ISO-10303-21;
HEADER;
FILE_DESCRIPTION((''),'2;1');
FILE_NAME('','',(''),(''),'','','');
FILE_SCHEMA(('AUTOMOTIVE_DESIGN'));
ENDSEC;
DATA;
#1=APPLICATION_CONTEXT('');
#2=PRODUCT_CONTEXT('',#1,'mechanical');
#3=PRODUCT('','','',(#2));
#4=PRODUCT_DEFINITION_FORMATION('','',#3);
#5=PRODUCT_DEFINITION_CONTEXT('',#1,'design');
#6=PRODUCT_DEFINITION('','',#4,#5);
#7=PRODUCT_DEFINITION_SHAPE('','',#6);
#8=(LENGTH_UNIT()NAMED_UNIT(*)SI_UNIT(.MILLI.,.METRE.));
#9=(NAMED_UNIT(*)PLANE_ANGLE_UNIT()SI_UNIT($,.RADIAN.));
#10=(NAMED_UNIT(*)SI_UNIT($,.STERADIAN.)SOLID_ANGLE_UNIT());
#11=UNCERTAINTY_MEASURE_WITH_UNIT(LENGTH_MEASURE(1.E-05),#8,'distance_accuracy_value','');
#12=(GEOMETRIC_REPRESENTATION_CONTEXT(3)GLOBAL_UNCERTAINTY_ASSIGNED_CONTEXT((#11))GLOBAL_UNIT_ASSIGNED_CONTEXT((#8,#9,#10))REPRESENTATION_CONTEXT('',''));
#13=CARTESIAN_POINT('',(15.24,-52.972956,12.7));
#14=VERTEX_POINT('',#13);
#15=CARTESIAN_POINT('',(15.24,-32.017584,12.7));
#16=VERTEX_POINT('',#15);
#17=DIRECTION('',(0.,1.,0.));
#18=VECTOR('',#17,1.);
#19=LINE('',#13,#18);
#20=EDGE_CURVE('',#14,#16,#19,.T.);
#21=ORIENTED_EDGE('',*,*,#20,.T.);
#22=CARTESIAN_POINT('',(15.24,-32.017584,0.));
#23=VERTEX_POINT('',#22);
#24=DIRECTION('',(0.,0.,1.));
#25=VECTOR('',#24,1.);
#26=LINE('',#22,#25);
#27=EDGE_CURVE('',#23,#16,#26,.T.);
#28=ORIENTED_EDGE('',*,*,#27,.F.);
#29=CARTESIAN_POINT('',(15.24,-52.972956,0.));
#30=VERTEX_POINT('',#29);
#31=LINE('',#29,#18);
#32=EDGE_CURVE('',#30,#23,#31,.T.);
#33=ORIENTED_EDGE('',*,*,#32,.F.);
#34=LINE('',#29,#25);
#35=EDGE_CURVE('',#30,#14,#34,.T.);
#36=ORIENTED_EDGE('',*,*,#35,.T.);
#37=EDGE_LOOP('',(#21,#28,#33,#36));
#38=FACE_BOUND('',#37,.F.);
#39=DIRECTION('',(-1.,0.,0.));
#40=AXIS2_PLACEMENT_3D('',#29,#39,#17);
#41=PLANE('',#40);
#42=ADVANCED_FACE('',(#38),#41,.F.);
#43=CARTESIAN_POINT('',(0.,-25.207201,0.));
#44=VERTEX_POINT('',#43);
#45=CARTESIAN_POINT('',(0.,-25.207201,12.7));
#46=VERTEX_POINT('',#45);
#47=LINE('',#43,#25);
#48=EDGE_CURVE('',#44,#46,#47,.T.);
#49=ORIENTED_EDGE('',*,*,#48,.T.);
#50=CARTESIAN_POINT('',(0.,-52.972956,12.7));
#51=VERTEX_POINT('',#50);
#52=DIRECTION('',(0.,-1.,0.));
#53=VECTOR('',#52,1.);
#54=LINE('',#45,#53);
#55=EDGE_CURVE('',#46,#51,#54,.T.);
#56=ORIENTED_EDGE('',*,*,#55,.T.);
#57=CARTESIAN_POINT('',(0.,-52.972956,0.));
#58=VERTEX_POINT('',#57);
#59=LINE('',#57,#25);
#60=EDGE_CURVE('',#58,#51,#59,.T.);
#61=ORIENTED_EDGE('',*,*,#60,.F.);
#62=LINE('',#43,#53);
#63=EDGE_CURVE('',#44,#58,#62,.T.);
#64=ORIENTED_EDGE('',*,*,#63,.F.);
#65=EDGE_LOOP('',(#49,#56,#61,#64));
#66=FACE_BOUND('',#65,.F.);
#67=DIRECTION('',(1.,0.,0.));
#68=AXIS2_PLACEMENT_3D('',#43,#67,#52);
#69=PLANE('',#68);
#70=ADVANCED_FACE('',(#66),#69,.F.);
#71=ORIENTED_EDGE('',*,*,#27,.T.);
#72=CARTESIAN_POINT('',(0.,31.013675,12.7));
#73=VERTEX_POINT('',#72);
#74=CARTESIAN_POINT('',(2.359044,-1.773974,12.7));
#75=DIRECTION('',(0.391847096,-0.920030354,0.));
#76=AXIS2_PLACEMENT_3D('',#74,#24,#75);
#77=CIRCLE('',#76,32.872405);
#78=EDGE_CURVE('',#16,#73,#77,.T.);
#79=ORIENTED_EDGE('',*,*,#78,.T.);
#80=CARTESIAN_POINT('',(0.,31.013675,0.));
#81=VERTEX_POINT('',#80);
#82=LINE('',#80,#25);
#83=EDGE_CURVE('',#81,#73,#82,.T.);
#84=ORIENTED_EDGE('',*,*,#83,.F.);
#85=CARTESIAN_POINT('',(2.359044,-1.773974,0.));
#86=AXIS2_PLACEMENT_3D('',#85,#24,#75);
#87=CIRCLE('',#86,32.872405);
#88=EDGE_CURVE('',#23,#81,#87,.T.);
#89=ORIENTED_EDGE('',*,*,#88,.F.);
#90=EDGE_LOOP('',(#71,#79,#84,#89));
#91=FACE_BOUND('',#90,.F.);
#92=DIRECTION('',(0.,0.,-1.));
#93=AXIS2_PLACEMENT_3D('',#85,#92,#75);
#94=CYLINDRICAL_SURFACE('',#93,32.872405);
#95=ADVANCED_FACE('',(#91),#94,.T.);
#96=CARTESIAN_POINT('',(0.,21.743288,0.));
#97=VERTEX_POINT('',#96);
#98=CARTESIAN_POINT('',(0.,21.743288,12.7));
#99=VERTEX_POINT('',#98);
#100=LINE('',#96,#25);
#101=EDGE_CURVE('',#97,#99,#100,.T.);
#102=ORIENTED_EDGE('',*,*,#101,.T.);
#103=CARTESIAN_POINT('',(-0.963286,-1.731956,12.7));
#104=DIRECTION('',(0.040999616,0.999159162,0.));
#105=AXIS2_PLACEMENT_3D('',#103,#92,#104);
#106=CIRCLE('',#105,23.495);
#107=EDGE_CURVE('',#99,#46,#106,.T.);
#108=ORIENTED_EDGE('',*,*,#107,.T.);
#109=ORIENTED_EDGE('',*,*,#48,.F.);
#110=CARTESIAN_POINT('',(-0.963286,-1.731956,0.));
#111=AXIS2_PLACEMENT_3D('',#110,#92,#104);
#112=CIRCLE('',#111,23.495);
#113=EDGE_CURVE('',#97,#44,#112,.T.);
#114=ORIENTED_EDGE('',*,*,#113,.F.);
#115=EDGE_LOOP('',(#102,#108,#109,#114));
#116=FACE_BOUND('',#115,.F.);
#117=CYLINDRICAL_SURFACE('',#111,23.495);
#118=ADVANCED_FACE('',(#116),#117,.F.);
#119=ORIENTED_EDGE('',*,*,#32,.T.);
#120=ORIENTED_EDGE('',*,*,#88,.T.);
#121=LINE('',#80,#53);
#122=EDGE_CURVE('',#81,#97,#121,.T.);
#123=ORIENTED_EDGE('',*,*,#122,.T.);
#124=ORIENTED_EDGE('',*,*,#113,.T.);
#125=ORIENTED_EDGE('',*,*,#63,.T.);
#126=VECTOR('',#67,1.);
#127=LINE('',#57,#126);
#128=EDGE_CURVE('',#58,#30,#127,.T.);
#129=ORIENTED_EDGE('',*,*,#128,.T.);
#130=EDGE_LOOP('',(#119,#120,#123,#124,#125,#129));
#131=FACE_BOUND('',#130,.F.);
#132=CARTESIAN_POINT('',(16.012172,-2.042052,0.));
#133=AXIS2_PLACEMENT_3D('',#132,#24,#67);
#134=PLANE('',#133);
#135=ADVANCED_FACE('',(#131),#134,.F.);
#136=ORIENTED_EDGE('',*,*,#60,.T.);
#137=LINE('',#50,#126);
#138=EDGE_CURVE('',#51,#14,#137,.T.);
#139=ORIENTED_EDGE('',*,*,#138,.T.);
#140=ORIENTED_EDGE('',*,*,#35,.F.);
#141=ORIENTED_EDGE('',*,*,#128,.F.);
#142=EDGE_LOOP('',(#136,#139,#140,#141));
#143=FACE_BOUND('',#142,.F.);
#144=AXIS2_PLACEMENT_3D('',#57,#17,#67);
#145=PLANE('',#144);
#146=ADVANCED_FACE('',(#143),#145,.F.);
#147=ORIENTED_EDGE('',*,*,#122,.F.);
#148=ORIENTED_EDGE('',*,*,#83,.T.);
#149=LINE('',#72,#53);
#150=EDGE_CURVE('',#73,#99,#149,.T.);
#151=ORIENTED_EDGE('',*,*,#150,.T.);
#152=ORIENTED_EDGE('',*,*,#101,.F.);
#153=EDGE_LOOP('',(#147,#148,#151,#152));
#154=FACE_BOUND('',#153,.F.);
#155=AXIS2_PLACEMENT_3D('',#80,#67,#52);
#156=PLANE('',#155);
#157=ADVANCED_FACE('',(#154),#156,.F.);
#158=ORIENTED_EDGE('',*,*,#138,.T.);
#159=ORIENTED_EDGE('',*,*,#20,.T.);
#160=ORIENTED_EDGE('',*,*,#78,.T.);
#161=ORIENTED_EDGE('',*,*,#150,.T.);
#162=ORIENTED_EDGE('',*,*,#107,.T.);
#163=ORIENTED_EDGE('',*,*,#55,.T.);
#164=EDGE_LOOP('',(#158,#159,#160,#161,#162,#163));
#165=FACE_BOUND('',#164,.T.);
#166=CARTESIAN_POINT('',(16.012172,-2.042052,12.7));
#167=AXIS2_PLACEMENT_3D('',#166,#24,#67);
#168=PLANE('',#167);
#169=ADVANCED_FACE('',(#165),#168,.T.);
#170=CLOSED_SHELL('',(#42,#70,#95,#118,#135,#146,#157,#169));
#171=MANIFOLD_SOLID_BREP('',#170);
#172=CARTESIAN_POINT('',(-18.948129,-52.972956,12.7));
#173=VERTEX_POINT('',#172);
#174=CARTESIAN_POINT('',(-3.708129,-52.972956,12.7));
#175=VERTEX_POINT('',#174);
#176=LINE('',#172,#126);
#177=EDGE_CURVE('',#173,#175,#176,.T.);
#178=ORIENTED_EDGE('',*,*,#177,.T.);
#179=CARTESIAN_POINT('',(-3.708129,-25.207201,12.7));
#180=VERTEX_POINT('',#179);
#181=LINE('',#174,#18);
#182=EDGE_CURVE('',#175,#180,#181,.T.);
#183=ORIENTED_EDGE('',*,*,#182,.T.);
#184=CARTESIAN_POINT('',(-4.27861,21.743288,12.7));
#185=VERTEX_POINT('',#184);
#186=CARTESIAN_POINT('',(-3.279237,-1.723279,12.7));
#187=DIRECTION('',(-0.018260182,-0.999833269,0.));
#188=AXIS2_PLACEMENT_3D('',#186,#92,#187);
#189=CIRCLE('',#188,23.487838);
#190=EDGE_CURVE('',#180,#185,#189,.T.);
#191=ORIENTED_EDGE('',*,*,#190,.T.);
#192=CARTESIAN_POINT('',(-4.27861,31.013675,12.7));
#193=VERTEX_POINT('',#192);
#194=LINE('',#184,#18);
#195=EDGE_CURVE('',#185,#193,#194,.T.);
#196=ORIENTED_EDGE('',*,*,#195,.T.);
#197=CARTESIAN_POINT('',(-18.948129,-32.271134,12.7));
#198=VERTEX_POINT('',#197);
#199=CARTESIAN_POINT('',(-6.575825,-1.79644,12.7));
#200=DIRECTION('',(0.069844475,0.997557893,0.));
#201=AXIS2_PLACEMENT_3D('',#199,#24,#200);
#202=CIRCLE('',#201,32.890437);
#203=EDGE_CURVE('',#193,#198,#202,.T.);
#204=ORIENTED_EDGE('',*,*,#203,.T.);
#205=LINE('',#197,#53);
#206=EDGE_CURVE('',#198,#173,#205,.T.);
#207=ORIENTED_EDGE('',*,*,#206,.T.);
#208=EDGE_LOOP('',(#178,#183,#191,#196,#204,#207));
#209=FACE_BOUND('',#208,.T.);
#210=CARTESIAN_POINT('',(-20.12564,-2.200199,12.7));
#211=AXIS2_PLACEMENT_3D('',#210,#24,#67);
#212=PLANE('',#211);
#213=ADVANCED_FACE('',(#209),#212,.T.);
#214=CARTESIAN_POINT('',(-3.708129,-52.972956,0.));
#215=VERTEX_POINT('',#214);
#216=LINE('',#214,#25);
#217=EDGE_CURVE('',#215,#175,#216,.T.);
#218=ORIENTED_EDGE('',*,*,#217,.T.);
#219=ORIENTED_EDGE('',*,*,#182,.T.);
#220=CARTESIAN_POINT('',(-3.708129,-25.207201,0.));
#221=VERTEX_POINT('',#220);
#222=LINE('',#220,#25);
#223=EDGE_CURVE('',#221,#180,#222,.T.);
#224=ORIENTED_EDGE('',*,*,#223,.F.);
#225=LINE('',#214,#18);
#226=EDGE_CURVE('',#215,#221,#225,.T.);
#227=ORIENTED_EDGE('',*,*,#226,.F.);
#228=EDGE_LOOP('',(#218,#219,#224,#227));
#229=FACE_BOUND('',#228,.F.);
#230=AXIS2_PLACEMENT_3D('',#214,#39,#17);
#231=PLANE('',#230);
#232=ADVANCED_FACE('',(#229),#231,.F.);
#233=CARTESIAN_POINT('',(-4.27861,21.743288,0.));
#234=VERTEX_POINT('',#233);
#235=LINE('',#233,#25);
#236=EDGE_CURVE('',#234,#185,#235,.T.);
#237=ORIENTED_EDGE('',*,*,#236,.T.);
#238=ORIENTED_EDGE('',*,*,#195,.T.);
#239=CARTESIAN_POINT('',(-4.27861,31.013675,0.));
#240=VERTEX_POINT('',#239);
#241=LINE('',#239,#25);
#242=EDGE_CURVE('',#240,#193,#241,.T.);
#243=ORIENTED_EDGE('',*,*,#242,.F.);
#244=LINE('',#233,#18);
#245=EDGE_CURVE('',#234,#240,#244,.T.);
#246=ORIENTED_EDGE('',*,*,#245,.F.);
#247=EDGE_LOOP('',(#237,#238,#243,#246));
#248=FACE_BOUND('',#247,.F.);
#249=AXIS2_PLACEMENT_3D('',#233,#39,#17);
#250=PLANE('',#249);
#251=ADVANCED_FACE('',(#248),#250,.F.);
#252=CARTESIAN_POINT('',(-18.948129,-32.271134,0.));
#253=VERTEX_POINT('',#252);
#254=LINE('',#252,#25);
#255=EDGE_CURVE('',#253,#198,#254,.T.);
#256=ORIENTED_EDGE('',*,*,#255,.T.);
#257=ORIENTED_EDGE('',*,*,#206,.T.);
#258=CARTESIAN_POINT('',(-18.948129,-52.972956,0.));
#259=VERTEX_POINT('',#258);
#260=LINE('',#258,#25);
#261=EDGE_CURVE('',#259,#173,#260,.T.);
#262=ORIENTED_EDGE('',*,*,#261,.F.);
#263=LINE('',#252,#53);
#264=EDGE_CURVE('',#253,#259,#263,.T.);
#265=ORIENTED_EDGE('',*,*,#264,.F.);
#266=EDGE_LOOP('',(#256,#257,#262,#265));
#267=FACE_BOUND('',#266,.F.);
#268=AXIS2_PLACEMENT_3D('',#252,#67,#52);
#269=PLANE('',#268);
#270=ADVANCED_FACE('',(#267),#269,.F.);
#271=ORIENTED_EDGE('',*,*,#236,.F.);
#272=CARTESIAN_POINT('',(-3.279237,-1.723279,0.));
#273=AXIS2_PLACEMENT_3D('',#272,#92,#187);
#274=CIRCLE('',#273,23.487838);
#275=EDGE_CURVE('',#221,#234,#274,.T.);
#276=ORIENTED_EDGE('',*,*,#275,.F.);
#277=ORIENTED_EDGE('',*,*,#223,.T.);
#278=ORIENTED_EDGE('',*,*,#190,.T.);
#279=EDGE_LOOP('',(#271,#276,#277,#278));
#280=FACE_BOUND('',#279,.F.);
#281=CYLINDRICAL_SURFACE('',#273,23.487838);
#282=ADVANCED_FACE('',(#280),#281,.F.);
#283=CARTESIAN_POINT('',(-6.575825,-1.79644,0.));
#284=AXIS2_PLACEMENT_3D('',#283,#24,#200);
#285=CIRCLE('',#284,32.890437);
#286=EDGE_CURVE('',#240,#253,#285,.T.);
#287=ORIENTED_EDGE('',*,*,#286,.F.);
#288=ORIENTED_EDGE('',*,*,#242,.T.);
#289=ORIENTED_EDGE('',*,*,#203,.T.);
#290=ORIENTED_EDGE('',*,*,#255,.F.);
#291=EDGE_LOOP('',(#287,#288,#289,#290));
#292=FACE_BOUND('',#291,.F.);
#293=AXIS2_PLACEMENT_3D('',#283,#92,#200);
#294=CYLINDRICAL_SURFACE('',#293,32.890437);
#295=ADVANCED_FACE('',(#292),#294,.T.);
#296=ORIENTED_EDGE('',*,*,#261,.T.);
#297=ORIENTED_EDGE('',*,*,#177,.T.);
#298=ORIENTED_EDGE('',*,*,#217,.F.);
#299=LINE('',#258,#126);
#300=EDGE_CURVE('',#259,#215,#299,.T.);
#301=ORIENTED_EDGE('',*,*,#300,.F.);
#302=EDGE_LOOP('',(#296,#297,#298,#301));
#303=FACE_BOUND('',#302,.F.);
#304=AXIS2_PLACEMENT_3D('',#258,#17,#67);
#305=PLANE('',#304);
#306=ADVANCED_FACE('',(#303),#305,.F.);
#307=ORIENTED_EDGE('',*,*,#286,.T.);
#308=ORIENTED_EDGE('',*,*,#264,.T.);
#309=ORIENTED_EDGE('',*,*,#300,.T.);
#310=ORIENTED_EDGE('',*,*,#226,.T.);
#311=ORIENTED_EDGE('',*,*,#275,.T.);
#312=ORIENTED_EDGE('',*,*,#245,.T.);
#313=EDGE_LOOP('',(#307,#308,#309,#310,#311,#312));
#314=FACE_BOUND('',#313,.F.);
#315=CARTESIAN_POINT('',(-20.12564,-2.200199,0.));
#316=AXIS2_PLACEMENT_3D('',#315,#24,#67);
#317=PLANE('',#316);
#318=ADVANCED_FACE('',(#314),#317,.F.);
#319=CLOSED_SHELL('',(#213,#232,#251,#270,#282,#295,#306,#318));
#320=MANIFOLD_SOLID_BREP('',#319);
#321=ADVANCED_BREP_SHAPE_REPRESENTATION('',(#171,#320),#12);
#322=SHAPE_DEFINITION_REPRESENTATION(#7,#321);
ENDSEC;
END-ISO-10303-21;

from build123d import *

# Parameters (mm, degrees)
F1_DEPTH = 12.7


with BuildPart() as f1:
    # F0 (on Top) → F1 (new body)
    with BuildSketch(Plane.XY):
        with BuildLine():
            ThreePointArc((0, 21.743288), (22.531714, -1.731957), (0, -25.207201))
            Line((0, -25.207201), (0, -34.561623))
            ThreePointArc((0, -34.561623), (7.771593, -34.19772), (15.24, -32.017584))
            ThreePointArc((15.24, -32.017584), (34.310766, 5.951467), (0, 31.013675))
            Line((0, 31.013675), (0, 21.743288))
        make_face()
        with BuildLine():
            ThreePointArc((15.24, -32.017584), (7.771593, -34.19772), (0, -34.561623))
            Line((0, -34.561623), (0, -52.972956))
            Line((0, -52.972956), (15.24, -52.972956))
            Line((15.24, -52.972956), (15.24, -34.561623))
            Line((15.24, -34.561623), (15.24, -32.017584))
        make_face()
        with BuildLine():
            ThreePointArc((-3.708129, -25.207201), (-26.765341, -2.008652), (-4.27861, 21.743288))
            Line((-4.27861, 21.743288), (-4.27861, 31.013675))
            ThreePointArc((-4.27861, 31.013675), (-38.616715, 5.630689), (-18.948129, -32.271134))
            ThreePointArc((-18.948129, -32.271134), (-11.464176, -34.321583), (-3.708129, -34.561623))
            Line((-3.708129, -34.561623), (-3.708129, -25.207201))
        make_face()
        with BuildLine():
            Line((-3.708129, -52.972956), (-3.708129, -34.561623))
            ThreePointArc((-3.708129, -34.561623), (-11.464176, -34.321583), (-18.948129, -32.271134))
            Line((-18.948129, -32.271134), (-18.948129, -52.972956))
            Line((-18.948129, -52.972956), (-3.708129, -52.972956))
        make_face()
    extrude(amount=F1_DEPTH)


solid = f1.part
